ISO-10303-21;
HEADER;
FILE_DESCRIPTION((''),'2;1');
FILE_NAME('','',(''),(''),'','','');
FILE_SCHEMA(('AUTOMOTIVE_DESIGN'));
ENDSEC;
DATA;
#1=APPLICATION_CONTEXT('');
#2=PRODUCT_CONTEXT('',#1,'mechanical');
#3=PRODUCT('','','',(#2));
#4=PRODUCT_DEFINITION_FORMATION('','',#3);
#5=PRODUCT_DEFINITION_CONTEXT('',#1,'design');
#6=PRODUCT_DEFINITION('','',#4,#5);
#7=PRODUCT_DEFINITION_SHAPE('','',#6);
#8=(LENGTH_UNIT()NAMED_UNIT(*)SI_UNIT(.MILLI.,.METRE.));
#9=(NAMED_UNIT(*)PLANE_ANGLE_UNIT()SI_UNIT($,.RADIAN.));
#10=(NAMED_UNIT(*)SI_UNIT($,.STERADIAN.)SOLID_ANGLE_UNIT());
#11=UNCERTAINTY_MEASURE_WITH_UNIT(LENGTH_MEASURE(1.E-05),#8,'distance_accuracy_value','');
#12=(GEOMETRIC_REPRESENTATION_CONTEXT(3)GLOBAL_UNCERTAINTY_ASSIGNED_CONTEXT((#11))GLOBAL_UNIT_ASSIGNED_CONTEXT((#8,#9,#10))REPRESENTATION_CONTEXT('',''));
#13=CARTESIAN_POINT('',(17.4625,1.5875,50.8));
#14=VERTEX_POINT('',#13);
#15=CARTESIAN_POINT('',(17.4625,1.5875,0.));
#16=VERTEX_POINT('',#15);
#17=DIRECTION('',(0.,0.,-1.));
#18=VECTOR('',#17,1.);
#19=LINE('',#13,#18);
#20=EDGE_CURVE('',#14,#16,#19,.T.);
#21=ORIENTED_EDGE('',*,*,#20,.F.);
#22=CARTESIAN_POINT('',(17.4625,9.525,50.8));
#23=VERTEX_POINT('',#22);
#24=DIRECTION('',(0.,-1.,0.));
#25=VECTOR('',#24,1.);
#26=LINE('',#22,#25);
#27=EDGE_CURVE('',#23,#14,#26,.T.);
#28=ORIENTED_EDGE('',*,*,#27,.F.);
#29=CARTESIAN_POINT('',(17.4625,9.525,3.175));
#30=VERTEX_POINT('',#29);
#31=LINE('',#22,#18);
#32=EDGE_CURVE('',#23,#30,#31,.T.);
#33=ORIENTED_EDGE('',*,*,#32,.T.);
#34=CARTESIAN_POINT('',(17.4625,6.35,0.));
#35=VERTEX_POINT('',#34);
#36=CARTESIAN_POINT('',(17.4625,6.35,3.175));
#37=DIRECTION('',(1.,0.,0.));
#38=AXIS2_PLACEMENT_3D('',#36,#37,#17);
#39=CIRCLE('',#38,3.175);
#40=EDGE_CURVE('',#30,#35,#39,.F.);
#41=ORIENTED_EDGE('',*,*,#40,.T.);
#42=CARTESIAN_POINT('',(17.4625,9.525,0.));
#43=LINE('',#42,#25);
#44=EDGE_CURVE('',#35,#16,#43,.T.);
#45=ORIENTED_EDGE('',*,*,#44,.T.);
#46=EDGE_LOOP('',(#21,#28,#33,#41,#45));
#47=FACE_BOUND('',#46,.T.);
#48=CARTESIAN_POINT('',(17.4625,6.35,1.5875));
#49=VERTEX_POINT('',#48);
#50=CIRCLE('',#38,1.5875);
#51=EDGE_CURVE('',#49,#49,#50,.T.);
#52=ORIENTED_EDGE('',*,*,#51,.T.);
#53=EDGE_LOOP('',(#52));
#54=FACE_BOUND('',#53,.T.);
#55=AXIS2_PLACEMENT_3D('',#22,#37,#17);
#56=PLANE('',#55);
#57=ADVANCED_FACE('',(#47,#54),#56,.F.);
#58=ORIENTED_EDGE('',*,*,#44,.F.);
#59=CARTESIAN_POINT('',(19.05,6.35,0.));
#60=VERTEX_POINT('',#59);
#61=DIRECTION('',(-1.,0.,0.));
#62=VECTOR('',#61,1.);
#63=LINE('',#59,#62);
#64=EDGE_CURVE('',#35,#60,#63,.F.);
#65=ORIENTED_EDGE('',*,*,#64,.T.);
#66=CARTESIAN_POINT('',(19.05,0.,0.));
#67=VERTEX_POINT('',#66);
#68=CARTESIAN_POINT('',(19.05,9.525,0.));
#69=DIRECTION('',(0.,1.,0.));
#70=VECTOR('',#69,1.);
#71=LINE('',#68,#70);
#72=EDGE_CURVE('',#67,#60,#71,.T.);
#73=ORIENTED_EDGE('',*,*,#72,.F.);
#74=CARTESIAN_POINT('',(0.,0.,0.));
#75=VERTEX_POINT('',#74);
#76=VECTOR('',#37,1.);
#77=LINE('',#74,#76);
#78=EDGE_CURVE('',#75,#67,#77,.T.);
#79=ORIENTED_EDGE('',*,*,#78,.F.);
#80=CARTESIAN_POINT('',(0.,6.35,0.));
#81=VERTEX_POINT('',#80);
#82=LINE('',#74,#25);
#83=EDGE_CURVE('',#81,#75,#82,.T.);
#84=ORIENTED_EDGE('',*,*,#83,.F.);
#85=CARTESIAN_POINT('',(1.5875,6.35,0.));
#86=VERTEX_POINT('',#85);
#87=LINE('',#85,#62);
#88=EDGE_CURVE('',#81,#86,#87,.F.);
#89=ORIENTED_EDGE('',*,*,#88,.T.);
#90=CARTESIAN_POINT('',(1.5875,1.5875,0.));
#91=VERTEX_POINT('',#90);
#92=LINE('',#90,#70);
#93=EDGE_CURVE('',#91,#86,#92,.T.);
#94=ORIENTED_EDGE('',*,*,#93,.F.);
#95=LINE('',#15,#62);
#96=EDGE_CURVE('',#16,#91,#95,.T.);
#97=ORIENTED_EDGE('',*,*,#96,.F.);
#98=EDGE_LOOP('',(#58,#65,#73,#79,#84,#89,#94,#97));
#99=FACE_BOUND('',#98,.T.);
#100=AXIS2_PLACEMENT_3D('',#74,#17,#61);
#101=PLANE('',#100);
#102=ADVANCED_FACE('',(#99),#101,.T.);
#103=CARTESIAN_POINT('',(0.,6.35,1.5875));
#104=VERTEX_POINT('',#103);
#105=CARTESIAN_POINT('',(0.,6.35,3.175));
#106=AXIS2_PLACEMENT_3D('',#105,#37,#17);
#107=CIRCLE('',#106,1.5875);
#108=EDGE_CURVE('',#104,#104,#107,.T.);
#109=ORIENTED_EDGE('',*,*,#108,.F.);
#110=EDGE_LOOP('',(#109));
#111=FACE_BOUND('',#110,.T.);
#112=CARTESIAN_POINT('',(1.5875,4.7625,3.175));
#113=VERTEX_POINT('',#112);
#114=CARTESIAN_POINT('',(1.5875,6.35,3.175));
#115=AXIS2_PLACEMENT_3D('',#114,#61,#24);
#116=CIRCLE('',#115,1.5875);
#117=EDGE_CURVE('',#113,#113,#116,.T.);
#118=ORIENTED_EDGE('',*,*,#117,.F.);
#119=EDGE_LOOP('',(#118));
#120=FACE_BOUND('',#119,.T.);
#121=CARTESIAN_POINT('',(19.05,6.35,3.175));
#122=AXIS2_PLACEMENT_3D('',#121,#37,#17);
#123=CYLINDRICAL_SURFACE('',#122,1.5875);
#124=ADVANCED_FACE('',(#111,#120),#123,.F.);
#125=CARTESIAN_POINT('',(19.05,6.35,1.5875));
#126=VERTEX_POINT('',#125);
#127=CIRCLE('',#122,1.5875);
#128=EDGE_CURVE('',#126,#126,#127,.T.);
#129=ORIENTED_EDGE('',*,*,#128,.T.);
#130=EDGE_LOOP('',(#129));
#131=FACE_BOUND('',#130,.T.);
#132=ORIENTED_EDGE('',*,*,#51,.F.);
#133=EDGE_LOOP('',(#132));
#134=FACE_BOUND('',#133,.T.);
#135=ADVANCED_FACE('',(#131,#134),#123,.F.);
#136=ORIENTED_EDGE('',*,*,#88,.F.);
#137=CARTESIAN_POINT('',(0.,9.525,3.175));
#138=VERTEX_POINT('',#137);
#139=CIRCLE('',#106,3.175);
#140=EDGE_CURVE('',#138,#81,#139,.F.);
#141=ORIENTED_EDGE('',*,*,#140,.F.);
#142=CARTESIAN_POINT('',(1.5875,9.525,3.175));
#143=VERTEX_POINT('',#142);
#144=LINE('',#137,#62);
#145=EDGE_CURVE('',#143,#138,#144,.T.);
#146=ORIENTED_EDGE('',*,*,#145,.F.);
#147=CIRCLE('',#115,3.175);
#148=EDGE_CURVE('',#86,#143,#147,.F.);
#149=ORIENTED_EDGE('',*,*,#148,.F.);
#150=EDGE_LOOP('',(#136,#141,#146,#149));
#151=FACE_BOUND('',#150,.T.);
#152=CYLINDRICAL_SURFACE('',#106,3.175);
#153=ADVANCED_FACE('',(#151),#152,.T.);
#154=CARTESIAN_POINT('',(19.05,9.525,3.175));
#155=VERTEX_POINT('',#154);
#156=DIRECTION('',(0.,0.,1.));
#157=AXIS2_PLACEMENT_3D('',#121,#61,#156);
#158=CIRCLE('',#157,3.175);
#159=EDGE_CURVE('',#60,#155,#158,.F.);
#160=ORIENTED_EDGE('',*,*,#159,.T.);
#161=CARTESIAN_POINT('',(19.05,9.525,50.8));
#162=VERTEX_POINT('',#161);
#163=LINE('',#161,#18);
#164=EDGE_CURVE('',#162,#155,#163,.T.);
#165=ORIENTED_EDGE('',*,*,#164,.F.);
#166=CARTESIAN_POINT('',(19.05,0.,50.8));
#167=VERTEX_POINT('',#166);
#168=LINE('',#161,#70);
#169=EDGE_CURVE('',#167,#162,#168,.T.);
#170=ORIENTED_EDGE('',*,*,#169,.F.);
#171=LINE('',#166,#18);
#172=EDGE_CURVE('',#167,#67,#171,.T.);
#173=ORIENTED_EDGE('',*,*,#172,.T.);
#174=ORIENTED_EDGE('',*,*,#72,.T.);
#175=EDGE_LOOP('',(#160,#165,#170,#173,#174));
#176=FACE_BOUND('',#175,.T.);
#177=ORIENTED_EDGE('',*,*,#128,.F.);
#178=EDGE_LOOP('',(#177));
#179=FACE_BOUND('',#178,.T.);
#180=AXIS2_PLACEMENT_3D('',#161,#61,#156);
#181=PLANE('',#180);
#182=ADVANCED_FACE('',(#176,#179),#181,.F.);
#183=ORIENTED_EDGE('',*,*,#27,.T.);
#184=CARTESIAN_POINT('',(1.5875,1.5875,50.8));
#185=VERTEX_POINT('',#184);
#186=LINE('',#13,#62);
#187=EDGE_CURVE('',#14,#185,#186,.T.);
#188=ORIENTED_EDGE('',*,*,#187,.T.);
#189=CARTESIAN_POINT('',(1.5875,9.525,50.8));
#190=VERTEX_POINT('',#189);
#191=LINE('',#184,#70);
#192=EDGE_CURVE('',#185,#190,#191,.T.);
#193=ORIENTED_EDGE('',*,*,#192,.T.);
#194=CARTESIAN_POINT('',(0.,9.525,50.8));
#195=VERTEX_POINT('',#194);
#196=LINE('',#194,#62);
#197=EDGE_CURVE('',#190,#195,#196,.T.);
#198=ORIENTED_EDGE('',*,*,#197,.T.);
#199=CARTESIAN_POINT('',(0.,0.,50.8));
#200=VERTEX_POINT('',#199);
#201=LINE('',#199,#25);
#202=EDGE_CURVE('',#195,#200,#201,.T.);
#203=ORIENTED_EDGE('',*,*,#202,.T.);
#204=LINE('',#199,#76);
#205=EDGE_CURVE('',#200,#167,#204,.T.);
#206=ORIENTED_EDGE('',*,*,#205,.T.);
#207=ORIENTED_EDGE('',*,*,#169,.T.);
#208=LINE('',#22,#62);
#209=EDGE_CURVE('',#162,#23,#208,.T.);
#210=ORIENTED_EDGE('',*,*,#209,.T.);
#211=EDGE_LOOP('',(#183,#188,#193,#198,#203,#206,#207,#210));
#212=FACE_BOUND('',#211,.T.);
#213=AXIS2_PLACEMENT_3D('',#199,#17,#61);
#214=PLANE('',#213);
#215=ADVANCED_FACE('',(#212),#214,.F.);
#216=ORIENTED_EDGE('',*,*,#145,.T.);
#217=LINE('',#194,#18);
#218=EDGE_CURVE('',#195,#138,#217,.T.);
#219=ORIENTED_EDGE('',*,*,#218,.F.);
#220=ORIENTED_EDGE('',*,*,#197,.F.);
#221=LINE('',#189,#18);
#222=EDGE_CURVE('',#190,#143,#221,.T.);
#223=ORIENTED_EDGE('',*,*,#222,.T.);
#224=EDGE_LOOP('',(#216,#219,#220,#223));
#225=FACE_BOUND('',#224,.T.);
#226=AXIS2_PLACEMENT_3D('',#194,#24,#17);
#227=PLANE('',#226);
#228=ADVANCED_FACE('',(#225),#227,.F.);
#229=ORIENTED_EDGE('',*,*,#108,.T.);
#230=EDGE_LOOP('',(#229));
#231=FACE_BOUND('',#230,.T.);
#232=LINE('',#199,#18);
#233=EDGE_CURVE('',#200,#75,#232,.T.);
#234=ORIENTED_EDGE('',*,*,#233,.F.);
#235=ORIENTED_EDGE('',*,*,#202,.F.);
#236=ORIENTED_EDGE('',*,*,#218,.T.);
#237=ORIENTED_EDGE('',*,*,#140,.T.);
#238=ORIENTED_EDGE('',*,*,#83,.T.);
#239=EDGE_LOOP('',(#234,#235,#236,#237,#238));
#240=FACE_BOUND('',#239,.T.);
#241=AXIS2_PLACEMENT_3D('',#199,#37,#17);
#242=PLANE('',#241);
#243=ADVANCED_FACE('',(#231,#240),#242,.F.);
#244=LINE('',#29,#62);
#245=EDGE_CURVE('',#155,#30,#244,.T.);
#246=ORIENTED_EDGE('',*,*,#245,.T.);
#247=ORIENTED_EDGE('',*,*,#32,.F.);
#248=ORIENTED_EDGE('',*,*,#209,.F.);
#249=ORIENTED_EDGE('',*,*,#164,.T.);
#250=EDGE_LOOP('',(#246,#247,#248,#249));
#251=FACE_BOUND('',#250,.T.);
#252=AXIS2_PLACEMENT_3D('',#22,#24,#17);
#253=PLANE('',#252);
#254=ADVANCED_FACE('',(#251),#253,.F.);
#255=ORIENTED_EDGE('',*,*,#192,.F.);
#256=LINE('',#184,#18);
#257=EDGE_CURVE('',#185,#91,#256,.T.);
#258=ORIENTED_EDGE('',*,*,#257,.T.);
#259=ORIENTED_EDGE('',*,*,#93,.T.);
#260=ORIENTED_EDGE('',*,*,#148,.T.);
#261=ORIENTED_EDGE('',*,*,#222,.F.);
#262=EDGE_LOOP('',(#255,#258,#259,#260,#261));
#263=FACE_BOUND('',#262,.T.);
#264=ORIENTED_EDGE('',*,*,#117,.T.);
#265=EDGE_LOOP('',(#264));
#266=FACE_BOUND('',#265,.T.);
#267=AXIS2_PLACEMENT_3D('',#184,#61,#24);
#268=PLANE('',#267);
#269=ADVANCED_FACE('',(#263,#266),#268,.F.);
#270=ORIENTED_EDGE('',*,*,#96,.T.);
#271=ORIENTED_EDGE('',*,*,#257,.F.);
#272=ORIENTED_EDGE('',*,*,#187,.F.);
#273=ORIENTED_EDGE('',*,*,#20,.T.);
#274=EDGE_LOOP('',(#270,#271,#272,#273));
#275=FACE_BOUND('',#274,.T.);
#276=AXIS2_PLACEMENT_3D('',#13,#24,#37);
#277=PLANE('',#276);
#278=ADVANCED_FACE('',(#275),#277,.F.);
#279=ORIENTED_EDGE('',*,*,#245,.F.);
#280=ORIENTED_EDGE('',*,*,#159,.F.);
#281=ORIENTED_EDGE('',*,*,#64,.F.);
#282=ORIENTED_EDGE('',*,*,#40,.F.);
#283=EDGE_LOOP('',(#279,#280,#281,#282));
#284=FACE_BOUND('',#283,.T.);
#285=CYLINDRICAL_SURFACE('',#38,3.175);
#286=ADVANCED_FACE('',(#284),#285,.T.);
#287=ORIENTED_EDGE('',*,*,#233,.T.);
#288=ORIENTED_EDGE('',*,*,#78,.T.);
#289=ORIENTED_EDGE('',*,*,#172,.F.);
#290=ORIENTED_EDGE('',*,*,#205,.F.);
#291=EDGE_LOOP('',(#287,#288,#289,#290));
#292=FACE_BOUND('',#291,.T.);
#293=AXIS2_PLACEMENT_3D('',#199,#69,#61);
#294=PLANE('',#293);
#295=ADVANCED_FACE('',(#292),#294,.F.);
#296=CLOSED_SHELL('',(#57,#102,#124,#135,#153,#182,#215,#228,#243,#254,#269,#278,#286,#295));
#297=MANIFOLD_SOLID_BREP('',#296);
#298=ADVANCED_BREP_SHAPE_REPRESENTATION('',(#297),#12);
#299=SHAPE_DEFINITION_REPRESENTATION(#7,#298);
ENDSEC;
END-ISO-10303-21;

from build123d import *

# Parameters (mm, degrees)
BOSS_EXTRUDE1_DEPTH          = 50.8
F_1_8_0_125_DIAMETER_HOLE1_D = 3.175
FILLET2_R                    = 3.175


with BuildPart() as part:
    # Sketch1 → Boss-Extrude1 (new body)
    with BuildSketch(Plane.XY):
        Polygon((17.4625, 9.525), (17.4625, 1.5875), (1.5875, 1.5875), (1.5875, 9.525), (0, 9.525), (0, 0), (19.05, 0), (19.05, 9.525), align=None)
    extrude(amount=BOSS_EXTRUDE1_DEPTH)

    # 1/8 (0.125) Diameter Hole1 (through all)
    with Locations(Plane(origin=(19.05, 0, 0), x_dir=(0, 0, -1), z_dir=(1, 0, 0))):
        with Locations((-3.175, 6.35)):
            Hole(F_1_8_0_125_DIAMETER_HOLE1_D / 2)

    # Fillet2
    fillet2_edges = [part.edges().sort_by_distance(p)[0] for p in [
        (0.79375, 9.525, 0),
        (18.25625, 9.525, 0),
    ]]
    fillet(fillet2_edges, radius=FILLET2_R)


solid = part.part
